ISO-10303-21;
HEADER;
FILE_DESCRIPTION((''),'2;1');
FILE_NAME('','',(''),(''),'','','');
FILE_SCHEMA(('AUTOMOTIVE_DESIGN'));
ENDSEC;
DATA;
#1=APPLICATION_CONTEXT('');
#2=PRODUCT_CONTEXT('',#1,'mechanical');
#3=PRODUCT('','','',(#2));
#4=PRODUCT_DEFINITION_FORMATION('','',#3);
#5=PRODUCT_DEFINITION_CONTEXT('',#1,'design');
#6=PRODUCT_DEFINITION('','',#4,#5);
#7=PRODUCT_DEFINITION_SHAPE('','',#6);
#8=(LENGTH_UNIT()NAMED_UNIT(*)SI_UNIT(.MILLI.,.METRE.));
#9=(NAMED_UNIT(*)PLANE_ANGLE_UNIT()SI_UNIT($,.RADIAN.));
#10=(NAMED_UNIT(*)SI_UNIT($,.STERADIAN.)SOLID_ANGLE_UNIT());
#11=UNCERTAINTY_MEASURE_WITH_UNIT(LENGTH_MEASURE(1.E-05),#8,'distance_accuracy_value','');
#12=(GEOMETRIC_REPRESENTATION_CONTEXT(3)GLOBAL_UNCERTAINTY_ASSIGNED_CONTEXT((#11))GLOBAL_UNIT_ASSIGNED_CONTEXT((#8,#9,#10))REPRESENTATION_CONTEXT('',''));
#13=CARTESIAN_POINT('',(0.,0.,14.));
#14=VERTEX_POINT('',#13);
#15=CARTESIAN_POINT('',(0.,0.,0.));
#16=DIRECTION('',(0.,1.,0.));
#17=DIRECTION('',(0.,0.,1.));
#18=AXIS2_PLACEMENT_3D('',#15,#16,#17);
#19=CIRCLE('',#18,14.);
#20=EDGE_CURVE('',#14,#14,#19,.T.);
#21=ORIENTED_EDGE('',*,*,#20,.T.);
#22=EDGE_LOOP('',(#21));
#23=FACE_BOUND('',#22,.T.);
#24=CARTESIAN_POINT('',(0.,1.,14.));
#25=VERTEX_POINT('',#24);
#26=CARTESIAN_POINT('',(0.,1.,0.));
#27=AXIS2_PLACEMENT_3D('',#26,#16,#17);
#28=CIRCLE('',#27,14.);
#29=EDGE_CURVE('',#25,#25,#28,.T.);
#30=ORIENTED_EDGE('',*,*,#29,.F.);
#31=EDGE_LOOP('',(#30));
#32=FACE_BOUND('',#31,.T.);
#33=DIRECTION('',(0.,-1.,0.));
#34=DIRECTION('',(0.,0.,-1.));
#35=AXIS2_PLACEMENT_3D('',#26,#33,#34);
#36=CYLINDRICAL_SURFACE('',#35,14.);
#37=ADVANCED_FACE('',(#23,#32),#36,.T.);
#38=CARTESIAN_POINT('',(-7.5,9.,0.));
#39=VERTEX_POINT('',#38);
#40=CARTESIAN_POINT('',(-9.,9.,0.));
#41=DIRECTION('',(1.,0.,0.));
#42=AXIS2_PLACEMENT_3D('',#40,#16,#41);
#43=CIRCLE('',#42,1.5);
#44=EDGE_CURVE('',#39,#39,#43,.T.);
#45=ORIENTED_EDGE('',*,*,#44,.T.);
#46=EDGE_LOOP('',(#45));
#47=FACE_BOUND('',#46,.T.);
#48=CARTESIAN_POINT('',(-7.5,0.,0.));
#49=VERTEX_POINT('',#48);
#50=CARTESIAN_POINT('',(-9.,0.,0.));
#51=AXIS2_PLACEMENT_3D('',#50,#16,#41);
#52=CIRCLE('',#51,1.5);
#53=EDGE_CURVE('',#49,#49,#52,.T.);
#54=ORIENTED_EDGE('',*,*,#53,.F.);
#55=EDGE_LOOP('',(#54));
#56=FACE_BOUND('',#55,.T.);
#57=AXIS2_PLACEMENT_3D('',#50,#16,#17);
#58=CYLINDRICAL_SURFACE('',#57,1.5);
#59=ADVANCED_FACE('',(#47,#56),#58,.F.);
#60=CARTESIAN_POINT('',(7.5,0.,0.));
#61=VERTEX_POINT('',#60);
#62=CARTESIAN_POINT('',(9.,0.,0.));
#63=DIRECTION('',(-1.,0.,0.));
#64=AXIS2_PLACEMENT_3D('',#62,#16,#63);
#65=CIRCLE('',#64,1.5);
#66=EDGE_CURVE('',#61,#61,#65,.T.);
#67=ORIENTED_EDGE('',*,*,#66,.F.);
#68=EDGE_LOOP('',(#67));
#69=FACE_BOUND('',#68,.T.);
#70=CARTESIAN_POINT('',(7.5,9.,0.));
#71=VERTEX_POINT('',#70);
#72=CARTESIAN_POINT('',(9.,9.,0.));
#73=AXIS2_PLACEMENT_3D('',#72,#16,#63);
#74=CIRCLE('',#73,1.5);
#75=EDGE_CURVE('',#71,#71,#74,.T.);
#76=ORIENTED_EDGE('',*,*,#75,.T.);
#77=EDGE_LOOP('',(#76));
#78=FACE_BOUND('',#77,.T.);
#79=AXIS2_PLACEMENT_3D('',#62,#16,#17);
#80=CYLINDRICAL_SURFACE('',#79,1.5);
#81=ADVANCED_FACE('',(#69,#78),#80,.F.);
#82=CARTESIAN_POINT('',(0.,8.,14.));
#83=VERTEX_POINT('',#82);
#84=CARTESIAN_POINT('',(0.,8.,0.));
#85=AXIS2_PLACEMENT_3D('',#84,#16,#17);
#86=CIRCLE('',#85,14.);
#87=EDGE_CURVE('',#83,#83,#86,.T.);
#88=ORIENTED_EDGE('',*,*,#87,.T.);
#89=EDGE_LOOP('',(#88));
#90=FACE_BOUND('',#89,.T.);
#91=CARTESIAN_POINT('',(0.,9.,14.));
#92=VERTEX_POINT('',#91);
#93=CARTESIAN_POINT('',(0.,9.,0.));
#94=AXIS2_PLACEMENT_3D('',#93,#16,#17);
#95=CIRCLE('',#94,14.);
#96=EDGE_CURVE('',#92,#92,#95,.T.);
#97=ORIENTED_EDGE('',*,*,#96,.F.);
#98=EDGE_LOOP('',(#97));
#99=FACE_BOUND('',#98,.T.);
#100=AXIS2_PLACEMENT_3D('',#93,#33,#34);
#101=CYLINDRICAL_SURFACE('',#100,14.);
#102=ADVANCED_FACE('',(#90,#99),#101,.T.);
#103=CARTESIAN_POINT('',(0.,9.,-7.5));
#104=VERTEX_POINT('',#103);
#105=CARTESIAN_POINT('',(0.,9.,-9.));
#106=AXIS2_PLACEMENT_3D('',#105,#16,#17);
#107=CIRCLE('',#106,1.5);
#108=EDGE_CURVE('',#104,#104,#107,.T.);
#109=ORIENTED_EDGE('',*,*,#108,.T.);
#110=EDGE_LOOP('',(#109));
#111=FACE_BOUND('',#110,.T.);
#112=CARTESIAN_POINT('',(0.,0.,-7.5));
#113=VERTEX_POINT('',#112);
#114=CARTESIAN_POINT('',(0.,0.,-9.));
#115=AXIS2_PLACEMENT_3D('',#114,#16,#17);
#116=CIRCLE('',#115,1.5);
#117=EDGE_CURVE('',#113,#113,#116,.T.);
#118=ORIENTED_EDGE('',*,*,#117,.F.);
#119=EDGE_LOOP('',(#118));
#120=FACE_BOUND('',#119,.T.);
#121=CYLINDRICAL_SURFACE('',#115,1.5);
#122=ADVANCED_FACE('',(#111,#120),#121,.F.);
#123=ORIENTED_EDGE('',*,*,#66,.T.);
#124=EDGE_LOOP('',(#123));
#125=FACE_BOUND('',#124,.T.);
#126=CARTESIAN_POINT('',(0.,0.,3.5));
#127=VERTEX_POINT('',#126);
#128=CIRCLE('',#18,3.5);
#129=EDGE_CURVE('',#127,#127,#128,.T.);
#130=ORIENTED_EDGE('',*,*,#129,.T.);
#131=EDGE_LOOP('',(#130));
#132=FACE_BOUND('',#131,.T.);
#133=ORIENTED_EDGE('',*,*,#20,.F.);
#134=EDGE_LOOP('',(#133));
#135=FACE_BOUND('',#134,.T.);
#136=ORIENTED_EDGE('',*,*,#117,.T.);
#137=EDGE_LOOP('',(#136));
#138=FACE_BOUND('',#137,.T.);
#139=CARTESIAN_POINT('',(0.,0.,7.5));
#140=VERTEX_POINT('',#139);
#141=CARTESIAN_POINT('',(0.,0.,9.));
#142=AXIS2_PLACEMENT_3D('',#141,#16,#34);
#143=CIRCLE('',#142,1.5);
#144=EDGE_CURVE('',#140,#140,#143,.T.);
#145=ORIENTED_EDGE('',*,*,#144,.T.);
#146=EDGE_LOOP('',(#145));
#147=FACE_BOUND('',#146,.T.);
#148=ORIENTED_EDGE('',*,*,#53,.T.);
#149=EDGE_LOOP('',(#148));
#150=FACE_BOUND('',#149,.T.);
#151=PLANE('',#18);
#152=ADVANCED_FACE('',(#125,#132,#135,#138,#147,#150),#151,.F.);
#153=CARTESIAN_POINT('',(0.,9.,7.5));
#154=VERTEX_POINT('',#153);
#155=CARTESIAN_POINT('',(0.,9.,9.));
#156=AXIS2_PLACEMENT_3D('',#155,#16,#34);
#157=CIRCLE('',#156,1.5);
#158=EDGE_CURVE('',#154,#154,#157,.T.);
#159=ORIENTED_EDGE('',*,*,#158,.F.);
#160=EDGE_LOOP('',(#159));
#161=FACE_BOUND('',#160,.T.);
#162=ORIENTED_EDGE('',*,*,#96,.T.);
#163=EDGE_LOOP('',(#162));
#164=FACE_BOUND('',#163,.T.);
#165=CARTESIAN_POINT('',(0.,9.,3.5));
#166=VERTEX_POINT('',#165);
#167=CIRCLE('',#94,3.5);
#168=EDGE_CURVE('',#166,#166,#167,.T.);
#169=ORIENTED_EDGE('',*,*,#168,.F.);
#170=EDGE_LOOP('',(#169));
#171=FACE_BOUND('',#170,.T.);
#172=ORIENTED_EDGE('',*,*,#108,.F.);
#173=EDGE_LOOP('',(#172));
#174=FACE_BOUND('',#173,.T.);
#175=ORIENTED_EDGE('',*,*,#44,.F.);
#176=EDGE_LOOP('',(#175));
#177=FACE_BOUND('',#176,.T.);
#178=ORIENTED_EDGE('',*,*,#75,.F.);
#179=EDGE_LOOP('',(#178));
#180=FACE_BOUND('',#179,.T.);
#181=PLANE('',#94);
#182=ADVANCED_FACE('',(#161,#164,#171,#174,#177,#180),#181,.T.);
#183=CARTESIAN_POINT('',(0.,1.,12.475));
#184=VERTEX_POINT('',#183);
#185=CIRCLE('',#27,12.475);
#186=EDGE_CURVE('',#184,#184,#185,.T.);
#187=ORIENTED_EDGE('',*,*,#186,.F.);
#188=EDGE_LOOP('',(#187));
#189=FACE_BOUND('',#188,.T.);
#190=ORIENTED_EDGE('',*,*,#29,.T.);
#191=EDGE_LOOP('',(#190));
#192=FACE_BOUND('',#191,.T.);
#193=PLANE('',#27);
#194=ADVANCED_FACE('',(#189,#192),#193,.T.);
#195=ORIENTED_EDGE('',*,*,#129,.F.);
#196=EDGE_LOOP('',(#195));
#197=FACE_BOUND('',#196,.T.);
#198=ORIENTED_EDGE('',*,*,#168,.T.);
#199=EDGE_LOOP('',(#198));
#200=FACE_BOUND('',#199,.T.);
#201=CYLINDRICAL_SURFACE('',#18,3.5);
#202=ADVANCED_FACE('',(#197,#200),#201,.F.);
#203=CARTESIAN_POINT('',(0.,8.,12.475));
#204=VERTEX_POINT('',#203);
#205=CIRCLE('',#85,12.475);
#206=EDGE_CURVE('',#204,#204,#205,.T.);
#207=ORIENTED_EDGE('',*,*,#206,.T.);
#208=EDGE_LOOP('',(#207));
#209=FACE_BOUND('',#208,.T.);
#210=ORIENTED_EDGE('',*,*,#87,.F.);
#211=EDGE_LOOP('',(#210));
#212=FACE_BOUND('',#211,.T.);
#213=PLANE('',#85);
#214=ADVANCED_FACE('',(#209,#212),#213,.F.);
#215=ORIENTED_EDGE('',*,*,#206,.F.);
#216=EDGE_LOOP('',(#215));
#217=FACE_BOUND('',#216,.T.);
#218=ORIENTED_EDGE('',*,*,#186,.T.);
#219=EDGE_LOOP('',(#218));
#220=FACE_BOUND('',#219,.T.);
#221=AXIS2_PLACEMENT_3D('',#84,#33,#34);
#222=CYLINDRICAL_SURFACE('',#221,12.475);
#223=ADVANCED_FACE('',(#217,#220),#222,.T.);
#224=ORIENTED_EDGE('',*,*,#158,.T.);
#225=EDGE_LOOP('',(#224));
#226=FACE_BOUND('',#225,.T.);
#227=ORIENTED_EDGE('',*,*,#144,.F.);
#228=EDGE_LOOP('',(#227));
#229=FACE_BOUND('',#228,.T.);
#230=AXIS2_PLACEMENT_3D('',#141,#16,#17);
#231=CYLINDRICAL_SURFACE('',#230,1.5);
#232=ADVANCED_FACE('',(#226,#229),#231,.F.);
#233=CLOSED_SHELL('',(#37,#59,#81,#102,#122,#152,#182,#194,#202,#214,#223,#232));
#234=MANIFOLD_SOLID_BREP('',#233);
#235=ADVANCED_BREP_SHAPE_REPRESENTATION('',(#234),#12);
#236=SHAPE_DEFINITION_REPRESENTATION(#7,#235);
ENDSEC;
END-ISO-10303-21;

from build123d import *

# Parameters (mm, degrees)
SKETCH1_R           = 14
BOSS_EXTRUDE1_DEPTH = 1
SKETCH2_R           = 12.475
BOSS_EXTRUDE2_DEPTH = 7
SKETCH3_R           = 14
BOSS_EXTRUDE3_DEPTH = 1
SKETCH4_R           = 3.5
CUT_EXTRUDE1_DEPTH  = 22.748563171
SKETCH5_R           = 1.5
CUT_EXTRUDE2_DEPTH  = 22.748563171
CIRPATTERN1_COUNT   = 4


with BuildPart() as part:
    # Sketch1 → Boss-Extrude1 (new body)
    with BuildSketch(Plane(origin=(0, 0, 0), x_dir=(1, 0, 0), z_dir=(0, 1, 0))):
        with Locations(Location((0, 0, 0), (0, 0, 270))):
            Circle(SKETCH1_R)
    extrude(amount=BOSS_EXTRUDE1_DEPTH)

    # Sketch2 → Boss-Extrude2 (add)
    with BuildSketch(Plane(origin=(0, 1, 0), x_dir=(1, 0, 0), z_dir=(0, 1, 0))):
        with Locations(Location((0, 0, 0), (0, 0, 270))):
            Circle(SKETCH2_R)
    extrude(amount=BOSS_EXTRUDE2_DEPTH)

    # Sketch3 → Boss-Extrude3 (add)
    with BuildSketch(Plane(origin=(0, 8, 0), x_dir=(1, 0, 0), z_dir=(0, 1, 0))):
        with Locations(Location((0, 0, 0), (0, 0, 270))):
            Circle(SKETCH3_R)
    extrude(amount=BOSS_EXTRUDE3_DEPTH)

    # Sketch4 → Cut-Extrude1 (cut, through all)
    with BuildSketch(Plane(origin=(0, 9, 0), x_dir=(1, 0, 0), z_dir=(0, 1, 0))):
        with Locations(Location((0, 0, 0), (0, 0, 270))):
            Circle(SKETCH4_R)
    extrude(amount=-CUT_EXTRUDE1_DEPTH, mode=Mode.SUBTRACT)

    # Sketch5 → Cut-Extrude2 (cut, through all)
    with BuildSketch(Plane(origin=(0, 9, 0), x_dir=(1, 0, 0), z_dir=(0, 1, 0))):
        with Locations(Location((0, 9, 0), (0, 0, 270))):
            Circle(SKETCH5_R)
    cut_extrude2 = extrude(amount=-CUT_EXTRUDE2_DEPTH, mode=Mode.SUBTRACT)

    # CirPattern1: Cut-Extrude2 ×4 about axis
    cirpattern1_axis = Axis((0, 0, 0), (0, 1, 0))
    for i in range(1, CIRPATTERN1_COUNT):
        add(cut_extrude2.rotate(cirpattern1_axis, i * 360 / CIRPATTERN1_COUNT), mode=Mode.SUBTRACT)


solid = part.part
